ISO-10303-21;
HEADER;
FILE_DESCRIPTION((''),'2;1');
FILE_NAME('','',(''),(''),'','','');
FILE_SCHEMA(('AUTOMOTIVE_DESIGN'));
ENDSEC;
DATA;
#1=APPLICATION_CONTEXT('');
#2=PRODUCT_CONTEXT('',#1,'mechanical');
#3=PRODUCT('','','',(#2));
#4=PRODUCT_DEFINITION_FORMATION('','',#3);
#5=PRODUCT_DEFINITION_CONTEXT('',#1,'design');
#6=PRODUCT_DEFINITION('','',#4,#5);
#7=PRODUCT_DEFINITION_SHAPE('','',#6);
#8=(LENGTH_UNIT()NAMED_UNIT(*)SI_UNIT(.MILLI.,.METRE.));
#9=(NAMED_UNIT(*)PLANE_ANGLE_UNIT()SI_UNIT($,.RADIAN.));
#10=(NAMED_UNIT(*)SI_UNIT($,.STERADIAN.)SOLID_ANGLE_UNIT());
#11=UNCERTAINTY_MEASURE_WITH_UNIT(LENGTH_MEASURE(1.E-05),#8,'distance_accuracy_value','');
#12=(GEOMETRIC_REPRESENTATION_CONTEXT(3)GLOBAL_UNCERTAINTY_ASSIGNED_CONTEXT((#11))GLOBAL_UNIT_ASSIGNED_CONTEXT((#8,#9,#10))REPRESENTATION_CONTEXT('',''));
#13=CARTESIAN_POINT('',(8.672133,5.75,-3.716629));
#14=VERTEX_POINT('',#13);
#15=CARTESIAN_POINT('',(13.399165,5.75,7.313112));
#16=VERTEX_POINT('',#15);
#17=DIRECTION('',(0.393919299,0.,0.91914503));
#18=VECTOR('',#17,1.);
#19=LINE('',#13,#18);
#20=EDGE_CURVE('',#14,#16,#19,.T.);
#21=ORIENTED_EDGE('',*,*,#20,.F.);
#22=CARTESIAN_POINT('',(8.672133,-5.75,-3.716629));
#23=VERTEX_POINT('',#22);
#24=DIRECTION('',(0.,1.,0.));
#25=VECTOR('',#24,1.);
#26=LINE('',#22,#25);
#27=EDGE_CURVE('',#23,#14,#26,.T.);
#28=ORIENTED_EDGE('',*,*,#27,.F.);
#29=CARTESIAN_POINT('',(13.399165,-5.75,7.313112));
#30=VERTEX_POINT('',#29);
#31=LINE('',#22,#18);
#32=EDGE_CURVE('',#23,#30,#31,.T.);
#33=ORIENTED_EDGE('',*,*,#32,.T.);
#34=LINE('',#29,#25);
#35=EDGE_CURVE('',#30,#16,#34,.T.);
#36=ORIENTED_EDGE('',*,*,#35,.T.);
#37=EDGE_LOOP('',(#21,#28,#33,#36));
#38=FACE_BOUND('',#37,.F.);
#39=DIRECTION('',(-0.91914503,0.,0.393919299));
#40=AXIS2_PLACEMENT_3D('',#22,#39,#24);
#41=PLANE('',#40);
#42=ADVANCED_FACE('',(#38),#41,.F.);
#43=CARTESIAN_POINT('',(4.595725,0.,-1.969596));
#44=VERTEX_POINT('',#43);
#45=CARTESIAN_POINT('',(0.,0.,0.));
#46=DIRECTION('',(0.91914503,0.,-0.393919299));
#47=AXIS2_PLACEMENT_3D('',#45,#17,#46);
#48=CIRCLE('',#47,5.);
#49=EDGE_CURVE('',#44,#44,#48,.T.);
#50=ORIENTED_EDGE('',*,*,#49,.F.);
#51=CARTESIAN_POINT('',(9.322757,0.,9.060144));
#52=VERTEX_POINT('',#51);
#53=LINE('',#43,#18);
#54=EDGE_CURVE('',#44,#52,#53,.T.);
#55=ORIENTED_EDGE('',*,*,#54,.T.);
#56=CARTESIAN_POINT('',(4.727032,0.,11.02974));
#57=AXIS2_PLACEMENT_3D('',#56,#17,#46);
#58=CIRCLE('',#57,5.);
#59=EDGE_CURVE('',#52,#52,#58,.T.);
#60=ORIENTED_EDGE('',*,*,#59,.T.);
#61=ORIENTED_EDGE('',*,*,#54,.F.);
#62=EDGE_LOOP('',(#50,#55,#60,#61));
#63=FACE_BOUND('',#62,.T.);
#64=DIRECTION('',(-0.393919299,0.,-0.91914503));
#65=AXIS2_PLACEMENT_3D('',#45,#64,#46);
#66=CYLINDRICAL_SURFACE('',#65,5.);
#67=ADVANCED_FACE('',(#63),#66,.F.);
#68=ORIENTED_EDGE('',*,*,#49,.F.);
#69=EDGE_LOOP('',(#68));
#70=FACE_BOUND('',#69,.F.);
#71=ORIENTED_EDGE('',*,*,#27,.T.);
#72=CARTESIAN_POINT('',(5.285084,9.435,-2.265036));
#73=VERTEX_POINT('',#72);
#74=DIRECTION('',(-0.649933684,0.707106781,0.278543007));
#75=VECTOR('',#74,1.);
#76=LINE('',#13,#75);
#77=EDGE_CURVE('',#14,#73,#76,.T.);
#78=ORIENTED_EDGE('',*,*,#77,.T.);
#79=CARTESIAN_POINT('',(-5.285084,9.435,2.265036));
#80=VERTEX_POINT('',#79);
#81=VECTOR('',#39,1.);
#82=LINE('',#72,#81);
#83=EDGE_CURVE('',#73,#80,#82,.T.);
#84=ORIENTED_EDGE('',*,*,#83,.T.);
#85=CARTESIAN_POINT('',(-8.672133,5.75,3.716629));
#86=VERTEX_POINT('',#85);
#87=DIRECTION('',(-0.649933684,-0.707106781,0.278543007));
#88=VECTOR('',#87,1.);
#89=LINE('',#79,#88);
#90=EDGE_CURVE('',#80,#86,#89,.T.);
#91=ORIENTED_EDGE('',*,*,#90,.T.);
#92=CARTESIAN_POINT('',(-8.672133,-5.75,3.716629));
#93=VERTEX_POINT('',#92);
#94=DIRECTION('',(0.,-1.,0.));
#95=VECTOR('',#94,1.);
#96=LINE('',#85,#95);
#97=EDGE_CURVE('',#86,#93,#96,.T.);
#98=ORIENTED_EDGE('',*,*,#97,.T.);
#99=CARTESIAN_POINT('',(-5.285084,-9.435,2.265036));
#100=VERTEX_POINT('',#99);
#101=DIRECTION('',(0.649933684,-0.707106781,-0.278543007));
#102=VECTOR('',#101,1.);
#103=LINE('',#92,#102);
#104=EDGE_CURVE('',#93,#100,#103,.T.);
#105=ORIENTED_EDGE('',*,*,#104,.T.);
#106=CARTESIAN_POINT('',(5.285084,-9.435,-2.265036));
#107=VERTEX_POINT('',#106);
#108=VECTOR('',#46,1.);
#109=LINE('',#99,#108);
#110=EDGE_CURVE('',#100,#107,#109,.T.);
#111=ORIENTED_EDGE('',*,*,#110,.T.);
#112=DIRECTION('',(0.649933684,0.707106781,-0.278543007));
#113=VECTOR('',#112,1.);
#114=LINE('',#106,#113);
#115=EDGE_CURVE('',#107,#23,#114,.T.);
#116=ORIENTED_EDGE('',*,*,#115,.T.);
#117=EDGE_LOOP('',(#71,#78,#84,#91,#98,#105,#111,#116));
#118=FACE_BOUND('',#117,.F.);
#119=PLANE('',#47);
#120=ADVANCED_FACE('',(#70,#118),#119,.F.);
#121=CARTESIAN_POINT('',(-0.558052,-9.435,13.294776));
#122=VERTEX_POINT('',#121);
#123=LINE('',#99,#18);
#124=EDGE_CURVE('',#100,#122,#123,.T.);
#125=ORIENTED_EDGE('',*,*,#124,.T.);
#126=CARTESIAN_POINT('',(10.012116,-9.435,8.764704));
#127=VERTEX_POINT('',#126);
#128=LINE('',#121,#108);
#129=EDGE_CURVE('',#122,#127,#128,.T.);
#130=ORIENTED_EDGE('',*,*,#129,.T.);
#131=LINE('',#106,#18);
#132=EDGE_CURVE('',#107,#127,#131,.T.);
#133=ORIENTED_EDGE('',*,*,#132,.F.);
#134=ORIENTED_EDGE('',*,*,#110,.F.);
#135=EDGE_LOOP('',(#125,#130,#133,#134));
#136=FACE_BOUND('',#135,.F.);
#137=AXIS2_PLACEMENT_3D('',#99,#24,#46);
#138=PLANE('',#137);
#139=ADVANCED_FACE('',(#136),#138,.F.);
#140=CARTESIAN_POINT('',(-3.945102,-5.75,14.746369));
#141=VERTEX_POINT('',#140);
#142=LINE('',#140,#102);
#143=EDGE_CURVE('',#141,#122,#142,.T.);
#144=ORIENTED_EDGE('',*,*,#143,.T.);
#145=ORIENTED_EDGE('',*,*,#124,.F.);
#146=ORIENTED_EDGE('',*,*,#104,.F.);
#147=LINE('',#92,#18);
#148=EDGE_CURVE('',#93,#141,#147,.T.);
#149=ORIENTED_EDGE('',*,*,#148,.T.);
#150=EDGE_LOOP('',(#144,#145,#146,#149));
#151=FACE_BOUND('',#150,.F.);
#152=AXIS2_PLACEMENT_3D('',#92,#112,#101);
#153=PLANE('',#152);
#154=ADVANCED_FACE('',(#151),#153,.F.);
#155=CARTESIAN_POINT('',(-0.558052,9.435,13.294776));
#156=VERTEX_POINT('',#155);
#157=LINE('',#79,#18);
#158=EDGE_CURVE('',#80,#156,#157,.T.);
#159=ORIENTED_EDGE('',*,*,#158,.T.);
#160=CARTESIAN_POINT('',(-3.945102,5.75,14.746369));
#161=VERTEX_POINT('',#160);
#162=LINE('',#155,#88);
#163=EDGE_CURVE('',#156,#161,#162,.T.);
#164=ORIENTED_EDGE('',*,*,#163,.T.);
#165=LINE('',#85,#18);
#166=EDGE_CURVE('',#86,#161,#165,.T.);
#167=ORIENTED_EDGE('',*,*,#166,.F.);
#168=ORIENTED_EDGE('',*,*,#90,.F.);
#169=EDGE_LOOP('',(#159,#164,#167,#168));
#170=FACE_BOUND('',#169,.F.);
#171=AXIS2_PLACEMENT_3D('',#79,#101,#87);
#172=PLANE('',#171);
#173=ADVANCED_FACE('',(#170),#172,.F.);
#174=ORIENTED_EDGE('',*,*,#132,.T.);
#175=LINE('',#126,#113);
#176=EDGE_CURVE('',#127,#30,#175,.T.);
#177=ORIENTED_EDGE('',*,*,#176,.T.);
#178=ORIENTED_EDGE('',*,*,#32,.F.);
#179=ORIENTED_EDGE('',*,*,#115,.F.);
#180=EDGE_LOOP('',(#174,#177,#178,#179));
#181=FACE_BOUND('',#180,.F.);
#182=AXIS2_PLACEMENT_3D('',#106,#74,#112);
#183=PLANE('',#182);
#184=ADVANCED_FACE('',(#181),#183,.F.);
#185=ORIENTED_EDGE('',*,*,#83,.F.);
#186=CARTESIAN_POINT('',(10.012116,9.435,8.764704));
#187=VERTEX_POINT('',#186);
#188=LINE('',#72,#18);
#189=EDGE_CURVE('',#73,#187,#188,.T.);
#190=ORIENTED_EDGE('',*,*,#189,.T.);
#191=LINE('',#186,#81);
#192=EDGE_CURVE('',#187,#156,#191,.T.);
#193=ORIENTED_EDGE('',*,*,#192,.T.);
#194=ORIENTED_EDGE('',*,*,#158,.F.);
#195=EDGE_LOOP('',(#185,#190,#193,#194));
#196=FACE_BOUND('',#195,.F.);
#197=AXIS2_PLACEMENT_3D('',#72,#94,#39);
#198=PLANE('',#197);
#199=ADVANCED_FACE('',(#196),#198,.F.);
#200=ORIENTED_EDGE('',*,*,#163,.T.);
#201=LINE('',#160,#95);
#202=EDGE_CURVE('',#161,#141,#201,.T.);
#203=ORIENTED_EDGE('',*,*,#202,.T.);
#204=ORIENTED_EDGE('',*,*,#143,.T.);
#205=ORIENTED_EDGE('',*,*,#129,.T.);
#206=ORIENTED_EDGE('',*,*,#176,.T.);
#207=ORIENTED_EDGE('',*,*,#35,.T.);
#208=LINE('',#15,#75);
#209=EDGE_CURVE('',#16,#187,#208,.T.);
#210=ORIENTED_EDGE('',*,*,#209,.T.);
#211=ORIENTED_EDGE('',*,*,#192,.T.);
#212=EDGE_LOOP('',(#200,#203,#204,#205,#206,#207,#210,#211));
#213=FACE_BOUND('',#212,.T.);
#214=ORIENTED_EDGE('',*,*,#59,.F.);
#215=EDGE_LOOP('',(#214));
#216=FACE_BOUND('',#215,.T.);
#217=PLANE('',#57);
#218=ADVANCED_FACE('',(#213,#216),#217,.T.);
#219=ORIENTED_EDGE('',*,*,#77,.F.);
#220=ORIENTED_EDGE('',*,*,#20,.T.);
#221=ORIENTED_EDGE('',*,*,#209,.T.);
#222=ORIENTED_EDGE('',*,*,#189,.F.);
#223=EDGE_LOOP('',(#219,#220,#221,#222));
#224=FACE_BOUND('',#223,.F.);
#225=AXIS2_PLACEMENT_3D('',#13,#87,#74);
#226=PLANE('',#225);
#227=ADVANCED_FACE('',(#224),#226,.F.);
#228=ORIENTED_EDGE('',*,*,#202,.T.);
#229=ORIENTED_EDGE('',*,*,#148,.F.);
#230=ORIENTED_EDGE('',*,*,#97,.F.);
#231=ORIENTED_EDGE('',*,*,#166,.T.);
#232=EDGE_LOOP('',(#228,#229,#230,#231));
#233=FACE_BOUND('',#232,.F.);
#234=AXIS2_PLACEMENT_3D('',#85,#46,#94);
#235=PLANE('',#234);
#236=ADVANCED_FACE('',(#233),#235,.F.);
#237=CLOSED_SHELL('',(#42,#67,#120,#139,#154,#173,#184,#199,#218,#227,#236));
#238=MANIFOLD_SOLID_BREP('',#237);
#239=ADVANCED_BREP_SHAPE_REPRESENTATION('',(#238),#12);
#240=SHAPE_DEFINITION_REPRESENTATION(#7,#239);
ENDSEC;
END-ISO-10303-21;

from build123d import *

# Parameters (mm, degrees)
F4_R     = 5
F5_DEPTH = 12


with BuildPart() as f5:
    # F4 (on 3pt) → F5 (new body)
    with BuildSketch(Plane(origin=(0, 0, 0), x_dir=(0.91914503, 0, -0.3939192986), z_dir=(0.3939192986, 0, 0.91914503))):
        Polygon((5.75, 9.435), (0, 9.435), (-5.75, 9.435), (-9.435, 5.75), (-9.435, 0), (-9.435, -5.75), (-5.75, -9.435), (0, -9.435), (5.75, -9.435), (9.435, -5.75), (9.435, 5.75), align=None)
        Circle(F4_R, mode=Mode.SUBTRACT)
    extrude(amount=F5_DEPTH)


solid = f5.part
